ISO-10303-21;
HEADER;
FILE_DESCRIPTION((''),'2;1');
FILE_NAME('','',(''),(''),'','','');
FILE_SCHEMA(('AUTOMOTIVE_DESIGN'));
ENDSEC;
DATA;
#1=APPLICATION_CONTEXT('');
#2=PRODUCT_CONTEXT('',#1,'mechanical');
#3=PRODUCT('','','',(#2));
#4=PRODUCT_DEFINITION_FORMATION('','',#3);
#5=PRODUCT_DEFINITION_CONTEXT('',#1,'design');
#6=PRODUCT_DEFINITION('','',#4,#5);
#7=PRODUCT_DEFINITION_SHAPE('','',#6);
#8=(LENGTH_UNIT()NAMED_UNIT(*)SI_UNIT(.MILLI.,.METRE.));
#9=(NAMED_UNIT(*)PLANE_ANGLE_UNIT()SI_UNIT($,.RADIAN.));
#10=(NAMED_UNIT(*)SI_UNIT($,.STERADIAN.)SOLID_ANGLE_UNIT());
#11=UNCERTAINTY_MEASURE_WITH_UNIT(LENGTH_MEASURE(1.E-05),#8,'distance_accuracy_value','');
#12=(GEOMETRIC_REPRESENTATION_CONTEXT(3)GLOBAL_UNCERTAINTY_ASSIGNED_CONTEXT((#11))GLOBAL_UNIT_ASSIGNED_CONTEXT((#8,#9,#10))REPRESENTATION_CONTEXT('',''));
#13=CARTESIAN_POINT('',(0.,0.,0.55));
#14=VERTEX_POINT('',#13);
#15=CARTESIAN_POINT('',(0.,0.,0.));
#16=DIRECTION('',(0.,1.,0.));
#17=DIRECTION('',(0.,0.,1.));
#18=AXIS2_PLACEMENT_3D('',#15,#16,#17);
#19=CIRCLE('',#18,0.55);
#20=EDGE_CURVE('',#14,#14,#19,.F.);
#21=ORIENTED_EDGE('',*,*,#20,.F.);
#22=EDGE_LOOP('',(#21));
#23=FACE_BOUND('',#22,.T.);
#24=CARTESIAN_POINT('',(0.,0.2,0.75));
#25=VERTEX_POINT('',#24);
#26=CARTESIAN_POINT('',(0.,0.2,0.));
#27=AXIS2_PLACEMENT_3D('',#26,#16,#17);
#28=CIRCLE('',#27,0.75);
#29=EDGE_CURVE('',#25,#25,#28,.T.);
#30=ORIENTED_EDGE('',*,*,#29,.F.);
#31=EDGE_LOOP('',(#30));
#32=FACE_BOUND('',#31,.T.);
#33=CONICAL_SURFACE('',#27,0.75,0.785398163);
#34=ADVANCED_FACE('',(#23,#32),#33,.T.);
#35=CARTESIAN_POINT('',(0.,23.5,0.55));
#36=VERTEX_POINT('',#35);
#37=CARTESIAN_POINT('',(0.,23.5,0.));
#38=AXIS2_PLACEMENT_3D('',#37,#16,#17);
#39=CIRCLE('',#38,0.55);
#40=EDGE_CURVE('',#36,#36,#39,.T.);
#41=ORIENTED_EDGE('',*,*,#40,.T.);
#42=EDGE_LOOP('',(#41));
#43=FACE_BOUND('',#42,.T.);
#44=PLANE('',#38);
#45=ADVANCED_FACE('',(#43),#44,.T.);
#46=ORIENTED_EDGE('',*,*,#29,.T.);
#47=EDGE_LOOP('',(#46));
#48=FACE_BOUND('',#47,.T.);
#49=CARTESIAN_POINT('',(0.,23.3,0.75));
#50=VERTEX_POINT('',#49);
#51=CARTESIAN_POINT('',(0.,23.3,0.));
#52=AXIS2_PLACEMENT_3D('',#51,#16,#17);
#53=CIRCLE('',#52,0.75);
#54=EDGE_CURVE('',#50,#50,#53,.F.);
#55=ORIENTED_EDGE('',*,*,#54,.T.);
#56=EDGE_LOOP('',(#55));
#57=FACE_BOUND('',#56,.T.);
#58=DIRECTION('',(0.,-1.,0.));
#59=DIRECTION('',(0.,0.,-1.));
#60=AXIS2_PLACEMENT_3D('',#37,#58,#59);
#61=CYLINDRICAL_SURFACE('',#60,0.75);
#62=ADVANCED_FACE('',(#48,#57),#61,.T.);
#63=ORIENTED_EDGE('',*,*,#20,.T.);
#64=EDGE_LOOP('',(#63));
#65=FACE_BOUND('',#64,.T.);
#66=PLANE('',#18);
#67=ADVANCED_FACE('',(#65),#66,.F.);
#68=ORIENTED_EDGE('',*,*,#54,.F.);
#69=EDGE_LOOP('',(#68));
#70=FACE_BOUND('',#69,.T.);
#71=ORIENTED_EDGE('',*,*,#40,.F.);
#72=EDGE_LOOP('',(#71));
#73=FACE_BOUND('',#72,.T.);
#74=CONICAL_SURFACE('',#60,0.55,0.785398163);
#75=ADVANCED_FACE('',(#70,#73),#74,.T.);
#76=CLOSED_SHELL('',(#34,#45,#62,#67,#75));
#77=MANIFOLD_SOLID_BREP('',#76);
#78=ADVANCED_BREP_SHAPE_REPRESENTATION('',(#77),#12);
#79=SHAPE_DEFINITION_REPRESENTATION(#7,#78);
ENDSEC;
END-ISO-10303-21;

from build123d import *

# Parameters (mm, degrees)
SKICA1_R                = 0.75
P_IDAT_VYSUNUT_M1_DEPTH = 23.5
ZKOSEN_1_SIZE           = 0.2


with BuildPart() as part:
    # Skica1 → Přidat vysunutím1 (new body)
    with BuildSketch(Plane(origin=(0, 0, 0), x_dir=(1, 0, 0), z_dir=(0, 1, 0))):
        with Locations(Location((0, 0, 0), (0, 0, 270))):
            Circle(SKICA1_R)
    extrude(amount=P_IDAT_VYSUNUT_M1_DEPTH)

    # Zkosení1
    zkosen_1_edges = [part.edges().sort_by_distance(p)[0] for p in [
        (0, 0, -0.75),
        (0, 23.5, -0.75),
    ]]
    chamfer(zkosen_1_edges, length=ZKOSEN_1_SIZE)


solid = part.part
